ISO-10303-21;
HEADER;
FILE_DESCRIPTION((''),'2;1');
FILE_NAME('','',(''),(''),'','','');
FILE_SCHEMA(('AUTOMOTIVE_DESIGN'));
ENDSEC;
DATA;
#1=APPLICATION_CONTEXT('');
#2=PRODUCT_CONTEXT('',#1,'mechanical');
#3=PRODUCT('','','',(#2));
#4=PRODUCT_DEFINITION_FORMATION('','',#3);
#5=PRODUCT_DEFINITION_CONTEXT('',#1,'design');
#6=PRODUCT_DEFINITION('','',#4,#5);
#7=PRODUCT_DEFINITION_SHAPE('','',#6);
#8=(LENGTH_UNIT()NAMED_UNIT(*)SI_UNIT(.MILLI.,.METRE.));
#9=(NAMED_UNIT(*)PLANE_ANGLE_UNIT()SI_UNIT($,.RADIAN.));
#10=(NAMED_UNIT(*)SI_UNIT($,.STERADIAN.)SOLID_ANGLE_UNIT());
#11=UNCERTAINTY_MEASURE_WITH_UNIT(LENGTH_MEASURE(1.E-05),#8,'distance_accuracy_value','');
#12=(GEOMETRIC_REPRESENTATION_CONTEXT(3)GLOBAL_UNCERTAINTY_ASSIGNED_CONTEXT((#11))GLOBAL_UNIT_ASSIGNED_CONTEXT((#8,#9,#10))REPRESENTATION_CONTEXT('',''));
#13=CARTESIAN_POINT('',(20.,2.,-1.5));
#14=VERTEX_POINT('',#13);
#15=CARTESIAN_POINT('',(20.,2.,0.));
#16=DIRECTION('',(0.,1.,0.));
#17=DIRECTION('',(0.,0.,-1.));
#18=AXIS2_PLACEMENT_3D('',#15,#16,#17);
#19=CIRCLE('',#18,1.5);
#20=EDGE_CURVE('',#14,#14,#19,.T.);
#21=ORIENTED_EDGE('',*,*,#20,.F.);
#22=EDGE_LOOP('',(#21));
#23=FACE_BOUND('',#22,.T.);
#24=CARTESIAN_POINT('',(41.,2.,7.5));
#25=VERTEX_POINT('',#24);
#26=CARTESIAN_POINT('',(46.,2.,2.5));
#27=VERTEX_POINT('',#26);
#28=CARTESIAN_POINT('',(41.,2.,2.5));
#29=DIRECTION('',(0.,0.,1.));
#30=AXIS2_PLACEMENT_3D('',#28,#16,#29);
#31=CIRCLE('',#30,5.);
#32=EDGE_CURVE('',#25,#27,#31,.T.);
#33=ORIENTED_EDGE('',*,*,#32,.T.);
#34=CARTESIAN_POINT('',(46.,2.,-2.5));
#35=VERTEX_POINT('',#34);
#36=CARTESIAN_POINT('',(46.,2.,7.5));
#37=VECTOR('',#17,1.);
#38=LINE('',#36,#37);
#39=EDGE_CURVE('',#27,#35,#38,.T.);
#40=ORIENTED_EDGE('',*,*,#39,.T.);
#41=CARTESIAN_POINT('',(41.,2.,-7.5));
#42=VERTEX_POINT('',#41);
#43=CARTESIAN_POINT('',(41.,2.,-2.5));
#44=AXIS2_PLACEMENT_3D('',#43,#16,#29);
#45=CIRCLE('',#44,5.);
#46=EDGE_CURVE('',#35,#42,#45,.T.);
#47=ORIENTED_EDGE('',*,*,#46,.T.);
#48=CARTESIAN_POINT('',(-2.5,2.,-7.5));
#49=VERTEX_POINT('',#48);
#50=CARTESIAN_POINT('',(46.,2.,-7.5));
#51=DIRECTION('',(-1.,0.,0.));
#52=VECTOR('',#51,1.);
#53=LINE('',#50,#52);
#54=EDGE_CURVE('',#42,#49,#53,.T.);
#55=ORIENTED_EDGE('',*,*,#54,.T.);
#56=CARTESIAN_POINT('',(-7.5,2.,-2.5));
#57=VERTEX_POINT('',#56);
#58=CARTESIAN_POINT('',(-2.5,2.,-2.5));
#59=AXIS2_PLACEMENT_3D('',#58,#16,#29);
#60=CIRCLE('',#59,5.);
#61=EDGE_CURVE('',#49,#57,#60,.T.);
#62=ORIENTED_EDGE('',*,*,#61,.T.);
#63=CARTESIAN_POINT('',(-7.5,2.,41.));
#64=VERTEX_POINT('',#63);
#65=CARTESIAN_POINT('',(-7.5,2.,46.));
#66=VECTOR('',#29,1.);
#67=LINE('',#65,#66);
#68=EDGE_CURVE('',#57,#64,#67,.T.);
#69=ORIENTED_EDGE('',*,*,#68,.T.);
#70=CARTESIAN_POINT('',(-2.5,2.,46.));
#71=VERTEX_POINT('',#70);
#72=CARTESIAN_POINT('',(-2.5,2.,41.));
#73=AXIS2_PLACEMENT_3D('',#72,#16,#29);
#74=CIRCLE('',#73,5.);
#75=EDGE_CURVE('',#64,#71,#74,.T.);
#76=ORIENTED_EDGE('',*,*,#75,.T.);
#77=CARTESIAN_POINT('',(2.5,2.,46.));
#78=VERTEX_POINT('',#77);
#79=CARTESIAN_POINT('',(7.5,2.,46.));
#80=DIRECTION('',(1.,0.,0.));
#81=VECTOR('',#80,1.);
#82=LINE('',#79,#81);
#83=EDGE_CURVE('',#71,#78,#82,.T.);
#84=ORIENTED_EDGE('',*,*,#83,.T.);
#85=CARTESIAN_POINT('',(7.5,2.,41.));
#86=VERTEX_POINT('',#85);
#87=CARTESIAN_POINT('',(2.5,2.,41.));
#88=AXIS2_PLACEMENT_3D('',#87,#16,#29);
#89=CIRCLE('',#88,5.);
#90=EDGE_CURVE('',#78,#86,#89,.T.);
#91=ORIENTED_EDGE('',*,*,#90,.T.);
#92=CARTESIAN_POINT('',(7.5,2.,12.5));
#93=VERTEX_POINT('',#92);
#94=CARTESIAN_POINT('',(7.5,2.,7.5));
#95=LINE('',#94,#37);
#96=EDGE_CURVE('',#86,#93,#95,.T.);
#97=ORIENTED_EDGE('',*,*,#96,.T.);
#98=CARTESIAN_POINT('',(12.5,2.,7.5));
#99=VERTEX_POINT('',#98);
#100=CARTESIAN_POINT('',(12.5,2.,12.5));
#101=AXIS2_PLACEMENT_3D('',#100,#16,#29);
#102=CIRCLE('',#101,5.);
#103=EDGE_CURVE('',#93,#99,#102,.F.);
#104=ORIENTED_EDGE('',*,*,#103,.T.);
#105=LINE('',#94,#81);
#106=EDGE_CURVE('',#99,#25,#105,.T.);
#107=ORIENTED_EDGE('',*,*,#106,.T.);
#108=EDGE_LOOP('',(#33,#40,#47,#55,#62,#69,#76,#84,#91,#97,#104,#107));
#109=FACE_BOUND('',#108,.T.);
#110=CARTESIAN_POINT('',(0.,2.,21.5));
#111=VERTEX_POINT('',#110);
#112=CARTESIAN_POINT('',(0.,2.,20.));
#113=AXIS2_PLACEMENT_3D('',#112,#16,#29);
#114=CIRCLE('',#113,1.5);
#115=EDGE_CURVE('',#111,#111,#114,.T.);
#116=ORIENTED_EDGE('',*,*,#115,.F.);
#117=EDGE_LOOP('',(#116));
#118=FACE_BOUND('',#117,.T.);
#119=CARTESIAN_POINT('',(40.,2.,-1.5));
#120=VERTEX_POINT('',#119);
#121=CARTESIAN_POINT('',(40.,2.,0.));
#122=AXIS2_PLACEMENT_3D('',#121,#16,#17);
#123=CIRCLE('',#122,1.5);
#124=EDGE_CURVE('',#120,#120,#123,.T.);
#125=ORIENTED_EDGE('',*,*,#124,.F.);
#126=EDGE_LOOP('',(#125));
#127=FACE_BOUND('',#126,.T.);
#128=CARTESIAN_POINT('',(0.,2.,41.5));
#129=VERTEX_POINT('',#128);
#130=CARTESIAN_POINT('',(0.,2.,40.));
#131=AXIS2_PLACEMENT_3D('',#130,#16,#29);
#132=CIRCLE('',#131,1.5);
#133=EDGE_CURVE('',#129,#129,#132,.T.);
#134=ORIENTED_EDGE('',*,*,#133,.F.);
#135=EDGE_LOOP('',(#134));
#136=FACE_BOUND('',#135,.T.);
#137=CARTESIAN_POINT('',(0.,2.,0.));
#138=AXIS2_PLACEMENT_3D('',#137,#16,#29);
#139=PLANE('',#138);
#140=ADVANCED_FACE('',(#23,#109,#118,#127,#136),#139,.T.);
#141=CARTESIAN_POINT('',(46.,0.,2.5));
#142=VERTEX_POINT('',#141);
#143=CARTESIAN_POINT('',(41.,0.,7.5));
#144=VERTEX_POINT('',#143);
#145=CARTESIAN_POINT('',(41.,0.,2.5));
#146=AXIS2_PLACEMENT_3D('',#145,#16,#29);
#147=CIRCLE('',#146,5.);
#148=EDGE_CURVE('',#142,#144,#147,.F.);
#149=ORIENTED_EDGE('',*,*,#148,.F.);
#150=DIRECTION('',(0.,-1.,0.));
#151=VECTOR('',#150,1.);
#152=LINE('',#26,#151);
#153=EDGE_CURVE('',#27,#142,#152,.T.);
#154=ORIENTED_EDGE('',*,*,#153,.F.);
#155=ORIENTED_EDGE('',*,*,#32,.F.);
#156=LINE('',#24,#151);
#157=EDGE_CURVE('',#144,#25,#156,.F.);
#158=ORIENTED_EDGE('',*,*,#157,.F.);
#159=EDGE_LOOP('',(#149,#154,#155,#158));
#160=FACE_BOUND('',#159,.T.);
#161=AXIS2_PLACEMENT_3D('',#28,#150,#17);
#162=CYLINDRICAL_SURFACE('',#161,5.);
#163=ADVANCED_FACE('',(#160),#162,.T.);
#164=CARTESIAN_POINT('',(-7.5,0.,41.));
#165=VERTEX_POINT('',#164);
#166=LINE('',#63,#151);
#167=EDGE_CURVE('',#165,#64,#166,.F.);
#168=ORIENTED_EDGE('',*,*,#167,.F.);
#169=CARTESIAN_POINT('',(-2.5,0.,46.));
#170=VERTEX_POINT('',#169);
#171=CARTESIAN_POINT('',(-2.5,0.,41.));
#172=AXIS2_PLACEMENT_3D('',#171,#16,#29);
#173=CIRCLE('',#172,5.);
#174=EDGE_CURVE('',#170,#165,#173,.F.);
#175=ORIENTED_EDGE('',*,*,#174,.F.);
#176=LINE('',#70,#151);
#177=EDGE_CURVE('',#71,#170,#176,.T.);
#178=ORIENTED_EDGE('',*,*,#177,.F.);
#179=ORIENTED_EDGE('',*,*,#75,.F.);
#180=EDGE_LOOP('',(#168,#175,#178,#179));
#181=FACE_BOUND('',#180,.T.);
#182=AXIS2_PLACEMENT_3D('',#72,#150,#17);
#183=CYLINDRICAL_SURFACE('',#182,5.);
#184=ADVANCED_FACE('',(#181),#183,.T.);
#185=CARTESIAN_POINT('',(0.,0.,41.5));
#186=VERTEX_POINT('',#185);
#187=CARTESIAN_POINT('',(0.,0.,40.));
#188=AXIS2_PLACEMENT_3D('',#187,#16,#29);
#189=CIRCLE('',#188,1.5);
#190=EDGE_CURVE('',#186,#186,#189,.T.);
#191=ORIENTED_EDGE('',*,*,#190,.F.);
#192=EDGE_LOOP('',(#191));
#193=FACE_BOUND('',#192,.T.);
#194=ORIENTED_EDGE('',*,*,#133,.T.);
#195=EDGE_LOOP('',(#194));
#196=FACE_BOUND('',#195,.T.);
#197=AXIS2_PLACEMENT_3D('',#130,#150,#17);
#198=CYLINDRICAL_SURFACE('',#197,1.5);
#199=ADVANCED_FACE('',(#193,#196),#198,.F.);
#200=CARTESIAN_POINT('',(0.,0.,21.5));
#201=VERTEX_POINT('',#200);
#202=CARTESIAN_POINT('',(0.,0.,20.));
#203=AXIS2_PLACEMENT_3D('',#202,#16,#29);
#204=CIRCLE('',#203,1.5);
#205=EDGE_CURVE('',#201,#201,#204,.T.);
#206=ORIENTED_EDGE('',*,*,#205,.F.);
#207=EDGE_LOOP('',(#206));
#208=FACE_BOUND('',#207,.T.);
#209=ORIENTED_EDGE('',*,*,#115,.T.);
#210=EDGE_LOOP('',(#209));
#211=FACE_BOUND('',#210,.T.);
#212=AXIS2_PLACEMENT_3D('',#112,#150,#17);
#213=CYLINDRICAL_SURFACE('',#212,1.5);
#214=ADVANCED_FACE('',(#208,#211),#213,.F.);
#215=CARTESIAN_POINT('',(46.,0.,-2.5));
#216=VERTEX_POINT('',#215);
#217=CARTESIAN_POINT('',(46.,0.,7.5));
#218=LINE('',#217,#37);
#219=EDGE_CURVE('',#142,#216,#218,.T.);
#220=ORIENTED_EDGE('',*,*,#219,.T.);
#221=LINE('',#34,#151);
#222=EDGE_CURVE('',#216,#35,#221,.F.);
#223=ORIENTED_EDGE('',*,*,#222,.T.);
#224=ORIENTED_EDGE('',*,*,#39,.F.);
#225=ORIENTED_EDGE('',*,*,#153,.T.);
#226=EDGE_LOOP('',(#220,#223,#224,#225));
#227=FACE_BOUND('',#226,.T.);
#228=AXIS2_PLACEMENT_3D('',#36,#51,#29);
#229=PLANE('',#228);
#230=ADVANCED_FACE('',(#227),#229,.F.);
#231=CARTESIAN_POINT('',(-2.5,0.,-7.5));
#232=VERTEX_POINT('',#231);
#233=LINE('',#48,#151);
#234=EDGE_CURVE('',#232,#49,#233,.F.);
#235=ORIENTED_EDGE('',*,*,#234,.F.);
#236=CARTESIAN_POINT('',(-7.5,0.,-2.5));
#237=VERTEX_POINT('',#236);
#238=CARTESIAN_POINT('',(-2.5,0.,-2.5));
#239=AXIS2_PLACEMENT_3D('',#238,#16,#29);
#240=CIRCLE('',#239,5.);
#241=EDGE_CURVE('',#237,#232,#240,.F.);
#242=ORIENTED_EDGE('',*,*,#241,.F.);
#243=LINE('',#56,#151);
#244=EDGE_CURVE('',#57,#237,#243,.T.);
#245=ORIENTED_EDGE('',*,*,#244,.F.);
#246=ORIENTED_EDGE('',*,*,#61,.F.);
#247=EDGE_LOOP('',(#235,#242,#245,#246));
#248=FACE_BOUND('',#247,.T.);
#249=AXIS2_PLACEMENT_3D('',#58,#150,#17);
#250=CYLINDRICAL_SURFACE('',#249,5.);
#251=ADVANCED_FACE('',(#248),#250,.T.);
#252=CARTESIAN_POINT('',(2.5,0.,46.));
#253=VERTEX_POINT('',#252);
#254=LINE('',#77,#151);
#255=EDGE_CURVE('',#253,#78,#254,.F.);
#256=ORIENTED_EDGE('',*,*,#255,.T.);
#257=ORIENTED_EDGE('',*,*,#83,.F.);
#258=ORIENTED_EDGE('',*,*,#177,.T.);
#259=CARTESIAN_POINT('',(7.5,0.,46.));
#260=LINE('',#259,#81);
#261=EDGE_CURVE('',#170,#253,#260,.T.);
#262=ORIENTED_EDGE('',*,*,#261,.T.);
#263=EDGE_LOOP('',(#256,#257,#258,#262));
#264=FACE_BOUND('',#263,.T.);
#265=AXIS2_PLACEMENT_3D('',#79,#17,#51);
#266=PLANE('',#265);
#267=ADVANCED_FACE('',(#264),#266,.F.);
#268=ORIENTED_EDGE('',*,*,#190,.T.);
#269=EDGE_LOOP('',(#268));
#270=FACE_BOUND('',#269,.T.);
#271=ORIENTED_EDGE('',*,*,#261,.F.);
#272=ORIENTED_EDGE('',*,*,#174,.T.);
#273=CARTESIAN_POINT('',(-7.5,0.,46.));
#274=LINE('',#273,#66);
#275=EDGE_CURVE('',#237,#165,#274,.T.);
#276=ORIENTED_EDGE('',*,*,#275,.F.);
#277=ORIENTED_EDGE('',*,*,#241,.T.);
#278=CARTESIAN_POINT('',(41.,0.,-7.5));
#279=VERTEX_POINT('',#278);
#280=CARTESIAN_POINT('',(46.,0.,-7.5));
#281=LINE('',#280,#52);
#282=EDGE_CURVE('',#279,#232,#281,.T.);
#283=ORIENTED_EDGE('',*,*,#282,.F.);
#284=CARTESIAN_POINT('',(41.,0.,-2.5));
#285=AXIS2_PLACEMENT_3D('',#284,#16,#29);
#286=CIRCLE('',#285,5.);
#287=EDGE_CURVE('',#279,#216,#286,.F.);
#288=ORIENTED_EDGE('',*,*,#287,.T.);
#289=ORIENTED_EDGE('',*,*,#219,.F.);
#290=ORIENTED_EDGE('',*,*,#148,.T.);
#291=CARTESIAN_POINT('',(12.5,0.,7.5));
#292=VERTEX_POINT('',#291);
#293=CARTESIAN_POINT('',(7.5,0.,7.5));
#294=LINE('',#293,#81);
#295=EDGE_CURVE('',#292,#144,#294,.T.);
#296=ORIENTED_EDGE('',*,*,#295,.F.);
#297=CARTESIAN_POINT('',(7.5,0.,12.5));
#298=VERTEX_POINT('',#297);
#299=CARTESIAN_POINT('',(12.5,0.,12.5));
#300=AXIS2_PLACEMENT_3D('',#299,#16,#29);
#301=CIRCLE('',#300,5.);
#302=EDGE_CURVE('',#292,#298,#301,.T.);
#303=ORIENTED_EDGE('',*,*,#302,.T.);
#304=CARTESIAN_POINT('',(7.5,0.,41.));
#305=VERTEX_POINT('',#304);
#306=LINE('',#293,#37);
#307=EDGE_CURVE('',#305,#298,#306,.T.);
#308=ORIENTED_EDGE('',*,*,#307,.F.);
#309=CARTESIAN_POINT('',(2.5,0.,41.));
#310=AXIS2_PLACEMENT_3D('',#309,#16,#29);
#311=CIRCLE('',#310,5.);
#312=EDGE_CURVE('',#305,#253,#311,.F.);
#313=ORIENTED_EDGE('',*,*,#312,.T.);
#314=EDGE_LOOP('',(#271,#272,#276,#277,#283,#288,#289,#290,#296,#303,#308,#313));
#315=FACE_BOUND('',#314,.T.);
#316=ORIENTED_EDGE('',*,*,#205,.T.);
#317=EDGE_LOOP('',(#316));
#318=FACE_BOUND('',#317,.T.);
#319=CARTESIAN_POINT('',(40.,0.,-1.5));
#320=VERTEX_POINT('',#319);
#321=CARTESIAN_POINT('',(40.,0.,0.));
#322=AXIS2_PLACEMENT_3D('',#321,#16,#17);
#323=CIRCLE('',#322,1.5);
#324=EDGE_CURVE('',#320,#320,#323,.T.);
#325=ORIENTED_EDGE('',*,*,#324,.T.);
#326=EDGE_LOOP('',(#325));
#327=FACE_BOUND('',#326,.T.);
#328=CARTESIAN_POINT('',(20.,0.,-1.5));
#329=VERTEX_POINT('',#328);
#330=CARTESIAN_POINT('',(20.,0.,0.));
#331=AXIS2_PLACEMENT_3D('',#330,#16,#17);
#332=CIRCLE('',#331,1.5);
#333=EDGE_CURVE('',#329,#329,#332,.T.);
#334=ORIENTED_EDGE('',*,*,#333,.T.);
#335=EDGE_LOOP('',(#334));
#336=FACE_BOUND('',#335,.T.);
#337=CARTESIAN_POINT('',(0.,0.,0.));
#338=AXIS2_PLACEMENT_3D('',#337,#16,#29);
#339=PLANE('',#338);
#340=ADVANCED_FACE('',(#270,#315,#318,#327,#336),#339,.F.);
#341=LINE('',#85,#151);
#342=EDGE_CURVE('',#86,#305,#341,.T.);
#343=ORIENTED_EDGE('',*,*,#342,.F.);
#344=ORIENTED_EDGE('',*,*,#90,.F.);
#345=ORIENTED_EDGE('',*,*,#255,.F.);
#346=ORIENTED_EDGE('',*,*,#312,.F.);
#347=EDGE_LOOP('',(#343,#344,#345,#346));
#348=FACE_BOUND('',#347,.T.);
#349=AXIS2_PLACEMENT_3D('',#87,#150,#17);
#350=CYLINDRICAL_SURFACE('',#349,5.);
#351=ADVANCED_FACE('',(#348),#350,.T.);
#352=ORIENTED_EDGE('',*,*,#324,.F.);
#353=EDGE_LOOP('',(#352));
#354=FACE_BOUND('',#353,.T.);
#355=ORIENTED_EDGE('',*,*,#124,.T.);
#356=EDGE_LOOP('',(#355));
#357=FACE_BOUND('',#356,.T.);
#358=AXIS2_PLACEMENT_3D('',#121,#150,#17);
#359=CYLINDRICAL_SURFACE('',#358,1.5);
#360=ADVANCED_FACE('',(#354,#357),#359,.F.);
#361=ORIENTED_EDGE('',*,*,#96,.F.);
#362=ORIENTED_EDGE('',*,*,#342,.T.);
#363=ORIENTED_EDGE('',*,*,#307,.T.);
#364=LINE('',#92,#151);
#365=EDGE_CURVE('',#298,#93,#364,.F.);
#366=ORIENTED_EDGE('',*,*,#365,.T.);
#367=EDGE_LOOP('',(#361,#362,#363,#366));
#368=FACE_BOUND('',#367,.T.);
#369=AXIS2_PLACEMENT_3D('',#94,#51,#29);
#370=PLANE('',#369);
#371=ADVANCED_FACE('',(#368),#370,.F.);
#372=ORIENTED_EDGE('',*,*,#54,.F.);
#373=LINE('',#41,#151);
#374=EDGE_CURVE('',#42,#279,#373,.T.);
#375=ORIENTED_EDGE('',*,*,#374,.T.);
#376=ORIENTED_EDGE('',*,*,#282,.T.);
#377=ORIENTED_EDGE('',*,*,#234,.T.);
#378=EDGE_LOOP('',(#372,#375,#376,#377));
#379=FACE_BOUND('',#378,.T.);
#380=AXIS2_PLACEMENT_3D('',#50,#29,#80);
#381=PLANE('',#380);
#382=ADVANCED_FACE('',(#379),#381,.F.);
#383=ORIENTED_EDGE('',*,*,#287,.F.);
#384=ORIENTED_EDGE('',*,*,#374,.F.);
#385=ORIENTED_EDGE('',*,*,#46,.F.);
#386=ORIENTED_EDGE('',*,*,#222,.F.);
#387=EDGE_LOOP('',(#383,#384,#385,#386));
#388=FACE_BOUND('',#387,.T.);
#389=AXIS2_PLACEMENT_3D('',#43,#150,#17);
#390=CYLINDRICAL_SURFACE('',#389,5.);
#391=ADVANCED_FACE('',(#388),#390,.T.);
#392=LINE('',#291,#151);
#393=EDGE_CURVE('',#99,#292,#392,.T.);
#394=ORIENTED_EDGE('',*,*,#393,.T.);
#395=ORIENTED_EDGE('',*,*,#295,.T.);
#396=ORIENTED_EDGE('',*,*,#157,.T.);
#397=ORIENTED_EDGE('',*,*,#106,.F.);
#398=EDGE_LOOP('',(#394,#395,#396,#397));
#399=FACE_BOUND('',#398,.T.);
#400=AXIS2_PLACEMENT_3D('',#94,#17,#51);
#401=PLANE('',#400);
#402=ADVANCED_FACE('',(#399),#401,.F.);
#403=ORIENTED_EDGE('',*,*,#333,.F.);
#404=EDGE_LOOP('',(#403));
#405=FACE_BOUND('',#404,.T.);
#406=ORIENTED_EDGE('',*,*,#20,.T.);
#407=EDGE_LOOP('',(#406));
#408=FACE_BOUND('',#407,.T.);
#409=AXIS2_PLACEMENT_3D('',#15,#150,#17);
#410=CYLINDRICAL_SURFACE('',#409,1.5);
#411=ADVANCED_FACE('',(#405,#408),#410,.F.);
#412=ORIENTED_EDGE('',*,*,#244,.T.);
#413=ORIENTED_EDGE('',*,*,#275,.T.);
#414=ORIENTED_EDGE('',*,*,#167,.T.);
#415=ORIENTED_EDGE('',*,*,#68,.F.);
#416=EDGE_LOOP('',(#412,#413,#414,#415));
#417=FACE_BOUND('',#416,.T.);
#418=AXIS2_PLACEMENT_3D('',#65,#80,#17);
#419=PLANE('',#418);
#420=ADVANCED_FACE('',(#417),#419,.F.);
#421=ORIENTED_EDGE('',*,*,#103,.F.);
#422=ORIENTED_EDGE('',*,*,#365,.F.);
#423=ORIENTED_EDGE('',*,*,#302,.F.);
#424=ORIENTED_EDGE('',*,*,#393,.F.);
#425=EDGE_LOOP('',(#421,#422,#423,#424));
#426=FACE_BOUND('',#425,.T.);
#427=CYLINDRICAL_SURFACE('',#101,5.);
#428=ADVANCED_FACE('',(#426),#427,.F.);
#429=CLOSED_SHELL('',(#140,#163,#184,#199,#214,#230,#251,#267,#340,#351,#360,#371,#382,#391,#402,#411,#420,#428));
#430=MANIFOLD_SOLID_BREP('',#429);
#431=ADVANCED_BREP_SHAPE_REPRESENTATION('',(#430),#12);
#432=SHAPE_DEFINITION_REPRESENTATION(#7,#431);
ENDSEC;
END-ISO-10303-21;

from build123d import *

# Parameters (mm, degrees)
SKETCH1_R           = 1.5
BOSS_EXTRUDE1_DEPTH = 2
FILLET1_R           = 5


with BuildPart() as part:
    # Sketch1 → Boss-Extrude1 (new body)
    with BuildSketch(Plane(origin=(0, 0, 0), x_dir=(1, 0, 0), z_dir=(0, 1, 0))):
        Polygon((7.5, -7.5), (7.5, -46), (-7.5, -46), (-7.5, 7.5), (46, 7.5), (46, -7.5), align=None)
        with Locations((0, -40)):
            Circle(SKETCH1_R, mode=Mode.SUBTRACT)
        with Locations((0, -20)):
            Circle(SKETCH1_R, mode=Mode.SUBTRACT)
        with Locations((20, 0)):
            Circle(SKETCH1_R, mode=Mode.SUBTRACT)
        with Locations((40, 0)):
            Circle(SKETCH1_R, mode=Mode.SUBTRACT)
    extrude(amount=BOSS_EXTRUDE1_DEPTH)

    # Fillet1
    fillet1_edges = [part.edges().sort_by_distance(p)[0] for p in [
        (7.5, 1, 7.5),
        (7.5, 1, 46),
        (-7.5, 1, 46),
        (-7.5, 1, -7.5),
        (46, 1, -7.5),
        (46, 1, 7.5),
    ]]
    fillet(fillet1_edges, radius=FILLET1_R)


solid = part.part
